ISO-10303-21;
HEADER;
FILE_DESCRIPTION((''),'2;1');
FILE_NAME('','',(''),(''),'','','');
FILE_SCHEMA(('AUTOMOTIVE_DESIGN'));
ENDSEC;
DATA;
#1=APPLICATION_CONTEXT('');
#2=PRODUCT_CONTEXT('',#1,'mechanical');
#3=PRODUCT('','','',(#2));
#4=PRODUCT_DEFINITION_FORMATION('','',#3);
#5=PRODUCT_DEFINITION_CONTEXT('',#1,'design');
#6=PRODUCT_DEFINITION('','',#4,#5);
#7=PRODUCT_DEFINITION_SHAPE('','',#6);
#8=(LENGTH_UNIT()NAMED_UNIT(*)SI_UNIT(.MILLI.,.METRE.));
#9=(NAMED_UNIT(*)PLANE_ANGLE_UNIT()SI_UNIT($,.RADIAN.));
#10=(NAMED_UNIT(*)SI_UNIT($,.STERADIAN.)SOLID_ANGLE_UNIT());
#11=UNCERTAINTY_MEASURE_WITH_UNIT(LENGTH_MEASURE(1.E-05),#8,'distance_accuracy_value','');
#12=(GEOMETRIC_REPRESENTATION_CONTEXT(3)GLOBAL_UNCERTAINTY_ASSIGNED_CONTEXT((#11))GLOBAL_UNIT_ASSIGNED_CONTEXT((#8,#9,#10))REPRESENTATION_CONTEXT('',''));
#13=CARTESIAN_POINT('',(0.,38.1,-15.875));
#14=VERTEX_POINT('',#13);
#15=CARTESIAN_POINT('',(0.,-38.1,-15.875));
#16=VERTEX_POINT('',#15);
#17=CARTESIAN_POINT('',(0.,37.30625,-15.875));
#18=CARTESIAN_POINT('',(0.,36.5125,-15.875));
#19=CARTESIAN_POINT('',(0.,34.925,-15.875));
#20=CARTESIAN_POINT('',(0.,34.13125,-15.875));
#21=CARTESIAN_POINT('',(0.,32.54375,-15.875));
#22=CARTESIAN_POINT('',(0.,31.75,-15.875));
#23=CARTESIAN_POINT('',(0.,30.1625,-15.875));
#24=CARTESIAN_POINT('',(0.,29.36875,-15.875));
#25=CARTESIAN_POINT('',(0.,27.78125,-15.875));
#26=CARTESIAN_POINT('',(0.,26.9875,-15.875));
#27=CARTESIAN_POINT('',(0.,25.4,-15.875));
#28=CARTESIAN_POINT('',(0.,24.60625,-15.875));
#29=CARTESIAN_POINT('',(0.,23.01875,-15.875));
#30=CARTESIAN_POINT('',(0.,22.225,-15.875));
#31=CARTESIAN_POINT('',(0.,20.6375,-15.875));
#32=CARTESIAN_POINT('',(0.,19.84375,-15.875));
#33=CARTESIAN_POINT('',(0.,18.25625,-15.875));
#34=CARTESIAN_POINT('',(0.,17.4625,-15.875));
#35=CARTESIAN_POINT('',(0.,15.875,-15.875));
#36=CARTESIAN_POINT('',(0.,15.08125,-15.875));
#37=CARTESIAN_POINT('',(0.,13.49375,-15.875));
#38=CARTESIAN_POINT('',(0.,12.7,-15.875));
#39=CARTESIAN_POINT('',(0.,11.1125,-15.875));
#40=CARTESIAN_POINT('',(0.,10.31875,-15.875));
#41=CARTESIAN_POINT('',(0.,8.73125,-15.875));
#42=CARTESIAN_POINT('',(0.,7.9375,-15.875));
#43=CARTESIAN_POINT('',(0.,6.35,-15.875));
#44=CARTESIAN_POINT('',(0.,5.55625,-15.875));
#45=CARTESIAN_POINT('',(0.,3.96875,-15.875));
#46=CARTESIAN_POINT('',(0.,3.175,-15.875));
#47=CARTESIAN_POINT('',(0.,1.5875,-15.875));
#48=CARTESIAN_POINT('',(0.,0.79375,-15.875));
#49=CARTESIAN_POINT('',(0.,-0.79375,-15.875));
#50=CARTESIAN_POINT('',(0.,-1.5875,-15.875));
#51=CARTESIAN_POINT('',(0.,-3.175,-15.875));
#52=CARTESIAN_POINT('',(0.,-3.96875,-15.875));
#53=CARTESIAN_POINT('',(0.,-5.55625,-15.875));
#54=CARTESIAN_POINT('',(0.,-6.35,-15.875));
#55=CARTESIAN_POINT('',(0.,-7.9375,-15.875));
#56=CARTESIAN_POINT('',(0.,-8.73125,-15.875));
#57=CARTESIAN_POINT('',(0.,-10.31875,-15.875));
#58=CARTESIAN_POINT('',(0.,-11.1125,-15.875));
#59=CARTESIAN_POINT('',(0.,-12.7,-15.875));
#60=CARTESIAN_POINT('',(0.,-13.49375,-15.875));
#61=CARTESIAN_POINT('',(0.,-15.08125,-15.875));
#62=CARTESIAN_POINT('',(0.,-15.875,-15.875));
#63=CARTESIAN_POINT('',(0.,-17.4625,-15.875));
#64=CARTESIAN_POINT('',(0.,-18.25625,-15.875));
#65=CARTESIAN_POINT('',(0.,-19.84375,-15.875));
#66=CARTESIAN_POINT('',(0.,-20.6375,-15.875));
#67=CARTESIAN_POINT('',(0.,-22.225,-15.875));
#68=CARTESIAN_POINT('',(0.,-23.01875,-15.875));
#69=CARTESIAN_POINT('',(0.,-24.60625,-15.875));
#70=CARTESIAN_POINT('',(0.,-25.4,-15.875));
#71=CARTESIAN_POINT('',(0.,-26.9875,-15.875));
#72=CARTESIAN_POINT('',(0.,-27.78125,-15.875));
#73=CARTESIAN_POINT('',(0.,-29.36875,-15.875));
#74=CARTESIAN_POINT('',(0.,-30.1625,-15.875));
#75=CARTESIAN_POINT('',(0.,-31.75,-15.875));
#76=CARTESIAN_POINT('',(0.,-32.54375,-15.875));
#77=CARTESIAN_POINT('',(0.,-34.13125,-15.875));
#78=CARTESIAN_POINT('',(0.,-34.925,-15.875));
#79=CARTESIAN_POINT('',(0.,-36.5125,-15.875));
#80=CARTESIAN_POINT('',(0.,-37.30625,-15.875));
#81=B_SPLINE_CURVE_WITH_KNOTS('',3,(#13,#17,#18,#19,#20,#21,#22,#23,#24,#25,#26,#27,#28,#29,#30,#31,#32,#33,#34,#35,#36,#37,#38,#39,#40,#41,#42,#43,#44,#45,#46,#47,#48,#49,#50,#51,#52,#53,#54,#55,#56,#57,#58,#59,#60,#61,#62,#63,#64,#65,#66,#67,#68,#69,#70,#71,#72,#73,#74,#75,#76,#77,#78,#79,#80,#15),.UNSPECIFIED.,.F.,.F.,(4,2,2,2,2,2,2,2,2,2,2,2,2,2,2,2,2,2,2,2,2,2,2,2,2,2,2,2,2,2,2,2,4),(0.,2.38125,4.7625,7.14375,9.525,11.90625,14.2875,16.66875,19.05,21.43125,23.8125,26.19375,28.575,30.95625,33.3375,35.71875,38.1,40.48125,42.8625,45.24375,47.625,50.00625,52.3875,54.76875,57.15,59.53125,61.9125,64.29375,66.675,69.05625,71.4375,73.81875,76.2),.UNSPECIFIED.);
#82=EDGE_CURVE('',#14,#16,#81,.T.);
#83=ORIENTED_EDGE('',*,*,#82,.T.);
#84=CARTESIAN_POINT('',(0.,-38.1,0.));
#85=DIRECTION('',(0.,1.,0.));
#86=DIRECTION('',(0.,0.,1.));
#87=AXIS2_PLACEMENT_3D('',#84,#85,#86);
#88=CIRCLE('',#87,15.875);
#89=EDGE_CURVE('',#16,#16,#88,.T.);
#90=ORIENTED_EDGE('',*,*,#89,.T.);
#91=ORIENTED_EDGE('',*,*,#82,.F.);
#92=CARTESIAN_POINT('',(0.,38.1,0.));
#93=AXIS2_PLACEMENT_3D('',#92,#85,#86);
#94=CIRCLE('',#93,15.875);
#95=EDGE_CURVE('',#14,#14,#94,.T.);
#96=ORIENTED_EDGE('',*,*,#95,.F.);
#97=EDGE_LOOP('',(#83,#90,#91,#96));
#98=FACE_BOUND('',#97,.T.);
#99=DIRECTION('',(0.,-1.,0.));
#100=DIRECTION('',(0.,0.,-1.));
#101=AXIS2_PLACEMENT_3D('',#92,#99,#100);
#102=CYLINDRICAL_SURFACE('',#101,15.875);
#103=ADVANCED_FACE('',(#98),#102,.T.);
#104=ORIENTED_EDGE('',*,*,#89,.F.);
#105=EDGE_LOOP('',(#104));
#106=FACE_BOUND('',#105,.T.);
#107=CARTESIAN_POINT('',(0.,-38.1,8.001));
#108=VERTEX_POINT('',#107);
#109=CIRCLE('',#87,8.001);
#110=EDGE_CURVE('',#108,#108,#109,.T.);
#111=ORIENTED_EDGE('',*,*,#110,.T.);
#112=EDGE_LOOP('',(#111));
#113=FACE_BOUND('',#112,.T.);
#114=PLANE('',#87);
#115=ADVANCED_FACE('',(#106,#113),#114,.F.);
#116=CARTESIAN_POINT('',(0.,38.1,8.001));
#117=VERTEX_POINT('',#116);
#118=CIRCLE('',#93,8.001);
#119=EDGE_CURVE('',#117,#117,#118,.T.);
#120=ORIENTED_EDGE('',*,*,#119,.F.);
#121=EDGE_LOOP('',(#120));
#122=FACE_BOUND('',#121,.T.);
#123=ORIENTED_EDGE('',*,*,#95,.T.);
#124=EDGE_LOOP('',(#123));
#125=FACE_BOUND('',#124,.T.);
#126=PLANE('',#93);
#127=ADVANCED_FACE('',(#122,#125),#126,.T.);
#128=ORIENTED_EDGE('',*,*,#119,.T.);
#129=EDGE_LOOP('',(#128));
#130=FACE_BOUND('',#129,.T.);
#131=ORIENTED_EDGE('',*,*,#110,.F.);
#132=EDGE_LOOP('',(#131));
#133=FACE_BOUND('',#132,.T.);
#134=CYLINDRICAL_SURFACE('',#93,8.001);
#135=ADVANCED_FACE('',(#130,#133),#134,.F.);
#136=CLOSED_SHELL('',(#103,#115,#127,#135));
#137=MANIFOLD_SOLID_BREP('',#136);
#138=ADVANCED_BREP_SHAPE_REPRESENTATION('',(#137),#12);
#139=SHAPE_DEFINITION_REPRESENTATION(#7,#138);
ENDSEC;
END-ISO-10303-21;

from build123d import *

# Parameters (mm, degrees)
SKETCH2_R           = 15.875
BOSS_EXTRUDE1_DEPTH = 38.1
HOLE1_D             = 16.002


with BuildPart() as part:
    # Sketch2 → Boss-Extrude1 (new, symmetric)
    with BuildSketch(Plane(origin=(0, 0, 0), x_dir=(1, 0, 0), z_dir=(0, 1, 0))):
        with Locations(Location((0, 0, 0), (0, 0, 90))):
            Circle(SKETCH2_R)
    extrude(amount=BOSS_EXTRUDE1_DEPTH, both=True)

    # Hole1 (through all)
    with Locations(Plane(origin=(0, 38.1, 0), x_dir=(1, 0, 0), z_dir=(0, 1, 0))):
        with Locations((0, 0)):
            Hole(HOLE1_D / 2)


solid = part.part
